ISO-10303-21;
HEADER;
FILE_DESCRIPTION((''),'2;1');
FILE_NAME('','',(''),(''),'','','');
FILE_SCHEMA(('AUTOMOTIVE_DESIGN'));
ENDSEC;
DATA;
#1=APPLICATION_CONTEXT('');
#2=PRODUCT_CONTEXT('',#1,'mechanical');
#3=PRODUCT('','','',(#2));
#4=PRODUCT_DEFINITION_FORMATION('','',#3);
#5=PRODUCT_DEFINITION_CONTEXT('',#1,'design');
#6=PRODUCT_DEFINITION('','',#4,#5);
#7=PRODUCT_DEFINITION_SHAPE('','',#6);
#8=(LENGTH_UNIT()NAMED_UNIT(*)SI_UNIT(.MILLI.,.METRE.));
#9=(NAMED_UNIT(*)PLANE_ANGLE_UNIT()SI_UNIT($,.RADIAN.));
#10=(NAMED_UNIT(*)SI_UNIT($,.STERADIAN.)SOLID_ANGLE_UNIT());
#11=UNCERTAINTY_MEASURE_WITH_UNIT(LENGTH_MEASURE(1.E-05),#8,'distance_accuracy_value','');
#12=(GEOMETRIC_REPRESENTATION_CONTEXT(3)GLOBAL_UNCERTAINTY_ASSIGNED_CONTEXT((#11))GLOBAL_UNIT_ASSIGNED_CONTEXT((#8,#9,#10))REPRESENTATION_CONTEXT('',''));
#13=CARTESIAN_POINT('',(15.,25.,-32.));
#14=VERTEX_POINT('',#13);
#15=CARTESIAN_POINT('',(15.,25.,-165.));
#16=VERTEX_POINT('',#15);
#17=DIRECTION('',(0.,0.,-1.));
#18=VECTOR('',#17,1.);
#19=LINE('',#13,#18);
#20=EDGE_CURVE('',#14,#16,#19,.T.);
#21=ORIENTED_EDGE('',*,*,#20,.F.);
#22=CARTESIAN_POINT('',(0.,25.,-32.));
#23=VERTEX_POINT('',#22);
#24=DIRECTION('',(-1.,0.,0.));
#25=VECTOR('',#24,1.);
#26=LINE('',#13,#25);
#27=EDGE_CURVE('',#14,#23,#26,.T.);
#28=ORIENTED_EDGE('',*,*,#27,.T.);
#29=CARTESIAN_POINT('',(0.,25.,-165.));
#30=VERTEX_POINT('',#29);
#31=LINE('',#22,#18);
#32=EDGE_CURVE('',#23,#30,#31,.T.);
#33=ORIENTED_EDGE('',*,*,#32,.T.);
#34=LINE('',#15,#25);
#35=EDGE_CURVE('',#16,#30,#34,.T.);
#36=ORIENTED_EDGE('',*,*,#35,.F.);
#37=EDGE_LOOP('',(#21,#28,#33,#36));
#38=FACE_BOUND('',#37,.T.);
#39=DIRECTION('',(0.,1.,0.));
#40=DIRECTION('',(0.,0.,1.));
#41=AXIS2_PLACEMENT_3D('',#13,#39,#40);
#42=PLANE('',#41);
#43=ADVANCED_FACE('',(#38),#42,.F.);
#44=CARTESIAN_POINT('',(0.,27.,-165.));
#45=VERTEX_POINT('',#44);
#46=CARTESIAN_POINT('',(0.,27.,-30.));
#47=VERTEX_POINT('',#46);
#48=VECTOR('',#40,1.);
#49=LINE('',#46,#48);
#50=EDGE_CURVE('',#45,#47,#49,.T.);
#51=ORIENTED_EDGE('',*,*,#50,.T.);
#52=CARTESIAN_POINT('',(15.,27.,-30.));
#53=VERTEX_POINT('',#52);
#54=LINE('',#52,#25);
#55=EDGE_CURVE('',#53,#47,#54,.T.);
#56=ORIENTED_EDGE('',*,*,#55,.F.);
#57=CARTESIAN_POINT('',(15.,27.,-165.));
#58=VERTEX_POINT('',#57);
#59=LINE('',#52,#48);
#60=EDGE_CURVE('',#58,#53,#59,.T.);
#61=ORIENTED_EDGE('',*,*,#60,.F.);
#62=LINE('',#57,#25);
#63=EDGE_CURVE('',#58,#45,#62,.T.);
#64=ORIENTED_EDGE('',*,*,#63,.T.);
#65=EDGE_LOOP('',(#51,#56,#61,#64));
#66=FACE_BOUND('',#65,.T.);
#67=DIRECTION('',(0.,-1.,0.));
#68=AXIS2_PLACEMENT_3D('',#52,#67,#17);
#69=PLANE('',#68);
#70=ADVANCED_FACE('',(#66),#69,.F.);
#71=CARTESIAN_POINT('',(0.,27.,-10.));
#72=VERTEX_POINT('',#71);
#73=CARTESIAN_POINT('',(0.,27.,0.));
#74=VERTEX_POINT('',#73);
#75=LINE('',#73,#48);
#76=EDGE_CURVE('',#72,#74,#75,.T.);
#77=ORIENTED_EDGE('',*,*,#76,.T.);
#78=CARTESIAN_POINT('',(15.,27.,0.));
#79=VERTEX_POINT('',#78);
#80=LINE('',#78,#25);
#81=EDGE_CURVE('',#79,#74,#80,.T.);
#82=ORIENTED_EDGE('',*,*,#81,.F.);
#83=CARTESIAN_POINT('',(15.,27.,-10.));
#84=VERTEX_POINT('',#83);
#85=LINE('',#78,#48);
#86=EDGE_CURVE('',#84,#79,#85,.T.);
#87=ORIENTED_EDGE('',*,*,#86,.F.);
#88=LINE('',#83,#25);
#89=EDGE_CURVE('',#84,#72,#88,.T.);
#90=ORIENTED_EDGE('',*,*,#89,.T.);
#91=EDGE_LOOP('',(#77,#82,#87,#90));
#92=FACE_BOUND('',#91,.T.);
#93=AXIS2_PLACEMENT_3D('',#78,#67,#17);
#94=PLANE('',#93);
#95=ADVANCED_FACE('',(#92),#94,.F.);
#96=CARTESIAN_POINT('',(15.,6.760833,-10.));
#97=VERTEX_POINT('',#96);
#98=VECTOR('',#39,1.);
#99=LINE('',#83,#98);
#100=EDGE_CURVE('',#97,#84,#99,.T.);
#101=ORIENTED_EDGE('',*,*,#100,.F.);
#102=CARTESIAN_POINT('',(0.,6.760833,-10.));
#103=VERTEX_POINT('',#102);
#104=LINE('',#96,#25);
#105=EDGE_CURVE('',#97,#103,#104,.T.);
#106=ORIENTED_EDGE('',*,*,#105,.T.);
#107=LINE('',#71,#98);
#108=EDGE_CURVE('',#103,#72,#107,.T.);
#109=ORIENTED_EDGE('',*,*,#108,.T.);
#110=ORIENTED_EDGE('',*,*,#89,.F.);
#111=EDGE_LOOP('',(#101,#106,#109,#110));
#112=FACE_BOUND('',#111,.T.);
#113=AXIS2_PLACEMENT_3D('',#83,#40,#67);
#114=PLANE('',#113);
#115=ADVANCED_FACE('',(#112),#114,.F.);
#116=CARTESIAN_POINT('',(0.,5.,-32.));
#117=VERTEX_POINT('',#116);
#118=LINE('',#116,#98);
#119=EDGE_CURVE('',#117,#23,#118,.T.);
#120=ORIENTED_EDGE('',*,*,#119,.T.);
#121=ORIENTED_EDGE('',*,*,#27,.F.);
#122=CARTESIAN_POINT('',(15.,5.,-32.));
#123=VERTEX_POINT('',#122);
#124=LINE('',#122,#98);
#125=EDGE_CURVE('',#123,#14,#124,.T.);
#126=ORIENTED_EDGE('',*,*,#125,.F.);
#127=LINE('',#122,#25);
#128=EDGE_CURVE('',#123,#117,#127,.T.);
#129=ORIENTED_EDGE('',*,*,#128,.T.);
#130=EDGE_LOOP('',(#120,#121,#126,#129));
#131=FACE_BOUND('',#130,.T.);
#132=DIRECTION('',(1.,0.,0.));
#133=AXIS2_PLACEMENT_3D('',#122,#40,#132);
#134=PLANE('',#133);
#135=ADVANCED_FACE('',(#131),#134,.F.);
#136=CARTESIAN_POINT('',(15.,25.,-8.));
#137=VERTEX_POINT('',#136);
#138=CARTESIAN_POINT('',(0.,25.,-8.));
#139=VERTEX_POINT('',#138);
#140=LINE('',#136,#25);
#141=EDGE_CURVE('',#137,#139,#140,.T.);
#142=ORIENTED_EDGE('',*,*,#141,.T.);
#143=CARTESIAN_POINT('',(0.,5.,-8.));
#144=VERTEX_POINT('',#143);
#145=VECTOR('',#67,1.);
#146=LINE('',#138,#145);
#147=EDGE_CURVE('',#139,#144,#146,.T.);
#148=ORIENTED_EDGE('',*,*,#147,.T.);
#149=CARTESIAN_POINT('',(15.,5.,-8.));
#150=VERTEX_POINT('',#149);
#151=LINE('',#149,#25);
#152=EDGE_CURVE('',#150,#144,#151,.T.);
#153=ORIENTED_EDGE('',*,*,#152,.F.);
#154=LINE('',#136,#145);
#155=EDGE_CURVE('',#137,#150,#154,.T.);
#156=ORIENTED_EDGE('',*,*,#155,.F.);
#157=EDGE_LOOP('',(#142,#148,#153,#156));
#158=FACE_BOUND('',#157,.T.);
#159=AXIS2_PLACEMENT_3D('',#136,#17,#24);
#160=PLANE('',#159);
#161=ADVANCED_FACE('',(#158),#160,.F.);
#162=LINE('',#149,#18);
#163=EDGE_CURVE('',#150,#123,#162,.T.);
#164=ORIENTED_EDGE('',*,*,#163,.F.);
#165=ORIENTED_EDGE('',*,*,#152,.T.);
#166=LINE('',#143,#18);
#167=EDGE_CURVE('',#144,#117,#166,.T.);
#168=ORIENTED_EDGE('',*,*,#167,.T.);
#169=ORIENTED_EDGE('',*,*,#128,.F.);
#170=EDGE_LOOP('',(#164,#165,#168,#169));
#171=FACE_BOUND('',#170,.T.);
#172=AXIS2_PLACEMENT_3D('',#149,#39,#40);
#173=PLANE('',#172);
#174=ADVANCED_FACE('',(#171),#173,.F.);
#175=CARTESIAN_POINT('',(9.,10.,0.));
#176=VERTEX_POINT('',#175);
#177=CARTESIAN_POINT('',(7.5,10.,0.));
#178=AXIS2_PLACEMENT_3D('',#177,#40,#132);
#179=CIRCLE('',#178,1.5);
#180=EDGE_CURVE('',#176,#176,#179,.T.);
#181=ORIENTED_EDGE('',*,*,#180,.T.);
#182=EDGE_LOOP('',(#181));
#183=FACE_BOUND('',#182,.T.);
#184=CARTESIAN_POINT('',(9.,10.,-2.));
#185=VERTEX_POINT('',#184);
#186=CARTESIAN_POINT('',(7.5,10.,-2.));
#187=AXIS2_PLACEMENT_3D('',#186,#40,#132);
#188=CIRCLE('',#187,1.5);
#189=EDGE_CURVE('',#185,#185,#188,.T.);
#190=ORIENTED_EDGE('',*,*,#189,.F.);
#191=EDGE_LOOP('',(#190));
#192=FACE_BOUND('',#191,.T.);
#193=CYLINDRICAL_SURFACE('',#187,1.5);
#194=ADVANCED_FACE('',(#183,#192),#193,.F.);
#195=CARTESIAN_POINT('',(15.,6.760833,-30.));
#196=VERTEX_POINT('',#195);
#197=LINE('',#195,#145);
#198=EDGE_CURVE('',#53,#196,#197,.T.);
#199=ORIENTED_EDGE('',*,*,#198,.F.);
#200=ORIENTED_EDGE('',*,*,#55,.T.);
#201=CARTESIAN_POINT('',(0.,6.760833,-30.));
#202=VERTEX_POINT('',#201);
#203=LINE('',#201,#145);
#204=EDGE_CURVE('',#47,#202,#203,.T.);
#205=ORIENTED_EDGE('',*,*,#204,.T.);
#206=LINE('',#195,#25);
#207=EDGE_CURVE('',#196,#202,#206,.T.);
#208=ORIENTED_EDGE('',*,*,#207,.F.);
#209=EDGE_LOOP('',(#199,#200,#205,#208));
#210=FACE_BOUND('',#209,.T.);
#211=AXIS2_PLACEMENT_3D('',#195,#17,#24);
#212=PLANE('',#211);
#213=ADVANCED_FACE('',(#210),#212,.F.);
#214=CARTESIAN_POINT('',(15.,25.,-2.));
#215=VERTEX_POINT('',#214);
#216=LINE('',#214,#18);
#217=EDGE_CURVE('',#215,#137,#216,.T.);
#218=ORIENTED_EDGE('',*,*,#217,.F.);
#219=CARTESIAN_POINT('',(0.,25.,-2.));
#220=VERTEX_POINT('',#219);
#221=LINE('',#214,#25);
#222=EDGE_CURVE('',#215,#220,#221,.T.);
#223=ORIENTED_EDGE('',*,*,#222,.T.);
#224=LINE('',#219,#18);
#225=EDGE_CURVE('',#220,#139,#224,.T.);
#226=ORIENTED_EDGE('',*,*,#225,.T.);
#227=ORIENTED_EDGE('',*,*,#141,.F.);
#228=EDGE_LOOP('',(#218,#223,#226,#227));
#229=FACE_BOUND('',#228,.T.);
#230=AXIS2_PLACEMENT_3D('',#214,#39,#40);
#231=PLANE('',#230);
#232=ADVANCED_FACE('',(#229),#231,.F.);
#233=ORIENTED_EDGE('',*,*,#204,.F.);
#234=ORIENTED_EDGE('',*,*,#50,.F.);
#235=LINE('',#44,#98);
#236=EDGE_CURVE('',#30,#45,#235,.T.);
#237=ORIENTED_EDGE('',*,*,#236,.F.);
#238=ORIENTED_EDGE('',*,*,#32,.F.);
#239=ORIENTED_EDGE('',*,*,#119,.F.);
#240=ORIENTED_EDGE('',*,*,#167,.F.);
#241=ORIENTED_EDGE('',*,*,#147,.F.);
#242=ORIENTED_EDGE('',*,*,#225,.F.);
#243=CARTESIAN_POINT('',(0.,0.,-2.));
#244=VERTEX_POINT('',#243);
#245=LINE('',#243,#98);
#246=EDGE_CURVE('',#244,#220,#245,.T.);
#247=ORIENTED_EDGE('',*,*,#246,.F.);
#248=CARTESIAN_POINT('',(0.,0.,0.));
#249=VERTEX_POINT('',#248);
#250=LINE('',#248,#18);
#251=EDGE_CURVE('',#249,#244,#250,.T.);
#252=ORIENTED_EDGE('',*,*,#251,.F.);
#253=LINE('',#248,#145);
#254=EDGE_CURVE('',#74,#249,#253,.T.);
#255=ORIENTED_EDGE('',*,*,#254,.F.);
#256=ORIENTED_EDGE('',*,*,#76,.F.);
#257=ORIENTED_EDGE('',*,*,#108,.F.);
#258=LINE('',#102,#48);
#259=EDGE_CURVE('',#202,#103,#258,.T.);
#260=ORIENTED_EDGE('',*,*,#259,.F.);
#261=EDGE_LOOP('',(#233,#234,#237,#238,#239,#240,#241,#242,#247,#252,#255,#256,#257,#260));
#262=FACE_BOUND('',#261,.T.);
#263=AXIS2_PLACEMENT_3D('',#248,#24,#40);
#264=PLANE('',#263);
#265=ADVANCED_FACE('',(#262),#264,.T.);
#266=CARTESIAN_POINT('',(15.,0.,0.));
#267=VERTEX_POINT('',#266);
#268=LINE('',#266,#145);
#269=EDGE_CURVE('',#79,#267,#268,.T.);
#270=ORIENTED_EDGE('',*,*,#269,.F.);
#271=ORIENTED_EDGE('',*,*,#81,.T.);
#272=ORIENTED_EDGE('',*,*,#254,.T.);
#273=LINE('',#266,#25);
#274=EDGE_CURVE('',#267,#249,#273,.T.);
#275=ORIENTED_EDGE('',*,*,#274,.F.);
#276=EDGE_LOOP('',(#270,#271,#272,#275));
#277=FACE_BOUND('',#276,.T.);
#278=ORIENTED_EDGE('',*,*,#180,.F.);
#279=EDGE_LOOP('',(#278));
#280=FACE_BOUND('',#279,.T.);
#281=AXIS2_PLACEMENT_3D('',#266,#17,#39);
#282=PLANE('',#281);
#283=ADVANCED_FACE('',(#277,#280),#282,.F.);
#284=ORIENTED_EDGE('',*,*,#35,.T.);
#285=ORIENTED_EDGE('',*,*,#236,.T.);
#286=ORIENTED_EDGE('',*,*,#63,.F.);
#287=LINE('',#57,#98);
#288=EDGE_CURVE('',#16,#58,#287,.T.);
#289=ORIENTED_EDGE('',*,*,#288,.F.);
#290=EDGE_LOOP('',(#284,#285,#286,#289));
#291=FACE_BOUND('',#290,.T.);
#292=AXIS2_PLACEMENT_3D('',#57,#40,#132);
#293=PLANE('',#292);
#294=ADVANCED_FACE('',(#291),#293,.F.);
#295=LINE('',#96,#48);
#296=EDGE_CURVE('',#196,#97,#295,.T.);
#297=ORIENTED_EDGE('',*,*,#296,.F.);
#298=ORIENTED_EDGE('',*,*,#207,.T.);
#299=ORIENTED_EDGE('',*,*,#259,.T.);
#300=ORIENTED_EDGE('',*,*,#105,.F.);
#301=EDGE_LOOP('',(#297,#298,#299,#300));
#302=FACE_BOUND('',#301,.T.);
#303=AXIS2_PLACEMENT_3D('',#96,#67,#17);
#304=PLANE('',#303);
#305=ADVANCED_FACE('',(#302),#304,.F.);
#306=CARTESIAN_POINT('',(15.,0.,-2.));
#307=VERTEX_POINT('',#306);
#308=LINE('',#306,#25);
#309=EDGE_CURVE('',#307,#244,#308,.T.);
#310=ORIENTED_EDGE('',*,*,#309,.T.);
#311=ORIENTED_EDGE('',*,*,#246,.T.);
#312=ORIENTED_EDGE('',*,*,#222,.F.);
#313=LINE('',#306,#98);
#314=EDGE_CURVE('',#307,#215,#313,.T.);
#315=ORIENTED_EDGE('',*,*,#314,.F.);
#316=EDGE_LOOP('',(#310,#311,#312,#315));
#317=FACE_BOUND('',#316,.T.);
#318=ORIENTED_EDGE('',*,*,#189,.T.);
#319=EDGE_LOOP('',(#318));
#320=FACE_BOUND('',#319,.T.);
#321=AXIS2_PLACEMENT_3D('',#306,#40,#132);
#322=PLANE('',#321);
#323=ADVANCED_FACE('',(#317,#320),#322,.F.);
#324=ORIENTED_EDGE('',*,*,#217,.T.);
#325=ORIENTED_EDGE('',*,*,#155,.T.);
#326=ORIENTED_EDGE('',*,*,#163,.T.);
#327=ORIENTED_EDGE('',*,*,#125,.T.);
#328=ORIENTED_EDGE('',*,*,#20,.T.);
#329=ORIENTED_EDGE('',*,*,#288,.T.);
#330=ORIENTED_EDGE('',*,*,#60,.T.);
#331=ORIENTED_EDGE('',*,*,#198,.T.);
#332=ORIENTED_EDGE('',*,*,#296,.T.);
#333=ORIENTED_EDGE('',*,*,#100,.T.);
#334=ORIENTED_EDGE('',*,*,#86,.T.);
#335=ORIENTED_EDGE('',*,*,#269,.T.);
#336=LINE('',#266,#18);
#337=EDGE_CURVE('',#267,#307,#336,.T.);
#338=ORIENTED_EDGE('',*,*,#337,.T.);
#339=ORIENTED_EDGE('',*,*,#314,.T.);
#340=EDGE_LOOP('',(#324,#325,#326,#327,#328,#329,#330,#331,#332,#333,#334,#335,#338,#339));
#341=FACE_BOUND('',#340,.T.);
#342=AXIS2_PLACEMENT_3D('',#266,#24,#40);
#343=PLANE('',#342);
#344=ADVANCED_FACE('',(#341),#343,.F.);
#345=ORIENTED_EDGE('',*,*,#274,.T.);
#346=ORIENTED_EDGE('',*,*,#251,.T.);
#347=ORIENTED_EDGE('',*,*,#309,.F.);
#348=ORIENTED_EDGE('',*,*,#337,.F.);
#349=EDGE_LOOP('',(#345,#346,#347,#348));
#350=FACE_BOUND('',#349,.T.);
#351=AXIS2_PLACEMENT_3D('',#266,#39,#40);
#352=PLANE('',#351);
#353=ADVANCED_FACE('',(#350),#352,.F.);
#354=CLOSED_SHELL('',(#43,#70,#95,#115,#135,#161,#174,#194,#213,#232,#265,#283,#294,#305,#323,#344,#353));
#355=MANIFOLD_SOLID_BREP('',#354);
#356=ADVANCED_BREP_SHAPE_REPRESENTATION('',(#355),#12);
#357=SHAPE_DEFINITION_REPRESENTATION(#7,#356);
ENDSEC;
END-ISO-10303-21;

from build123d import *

# Parameters (mm, degrees)
BOSS_EXTRUDE1_DEPTH = 15
SKETCH3_R           = 1.5
CUT_EXTRUDE1_DEPTH  = 2


with BuildPart() as part:
    # Sketch2 → Boss-Extrude1 (new body)
    with BuildSketch(Plane(origin=(0, 0, 0), x_dir=(0, 0, -1), z_dir=(1, 0, 0))):
        Polygon((0, 27), (10, 27), (10, 6.760833057), (30, 6.760833057), (30, 27), (165, 27), (165, 25), (32, 25), (32, 5), (8, 5), (8, 25), (2, 25), (2, 0), (0, 0), align=None)
    extrude(amount=BOSS_EXTRUDE1_DEPTH)

    # Sketch3 → Cut-Extrude1 (cut)
    with BuildSketch(Plane.XY):
        with Locations((7.5, 10)):
            Circle(SKETCH3_R)
    extrude(amount=-CUT_EXTRUDE1_DEPTH, mode=Mode.SUBTRACT)


solid = part.part
